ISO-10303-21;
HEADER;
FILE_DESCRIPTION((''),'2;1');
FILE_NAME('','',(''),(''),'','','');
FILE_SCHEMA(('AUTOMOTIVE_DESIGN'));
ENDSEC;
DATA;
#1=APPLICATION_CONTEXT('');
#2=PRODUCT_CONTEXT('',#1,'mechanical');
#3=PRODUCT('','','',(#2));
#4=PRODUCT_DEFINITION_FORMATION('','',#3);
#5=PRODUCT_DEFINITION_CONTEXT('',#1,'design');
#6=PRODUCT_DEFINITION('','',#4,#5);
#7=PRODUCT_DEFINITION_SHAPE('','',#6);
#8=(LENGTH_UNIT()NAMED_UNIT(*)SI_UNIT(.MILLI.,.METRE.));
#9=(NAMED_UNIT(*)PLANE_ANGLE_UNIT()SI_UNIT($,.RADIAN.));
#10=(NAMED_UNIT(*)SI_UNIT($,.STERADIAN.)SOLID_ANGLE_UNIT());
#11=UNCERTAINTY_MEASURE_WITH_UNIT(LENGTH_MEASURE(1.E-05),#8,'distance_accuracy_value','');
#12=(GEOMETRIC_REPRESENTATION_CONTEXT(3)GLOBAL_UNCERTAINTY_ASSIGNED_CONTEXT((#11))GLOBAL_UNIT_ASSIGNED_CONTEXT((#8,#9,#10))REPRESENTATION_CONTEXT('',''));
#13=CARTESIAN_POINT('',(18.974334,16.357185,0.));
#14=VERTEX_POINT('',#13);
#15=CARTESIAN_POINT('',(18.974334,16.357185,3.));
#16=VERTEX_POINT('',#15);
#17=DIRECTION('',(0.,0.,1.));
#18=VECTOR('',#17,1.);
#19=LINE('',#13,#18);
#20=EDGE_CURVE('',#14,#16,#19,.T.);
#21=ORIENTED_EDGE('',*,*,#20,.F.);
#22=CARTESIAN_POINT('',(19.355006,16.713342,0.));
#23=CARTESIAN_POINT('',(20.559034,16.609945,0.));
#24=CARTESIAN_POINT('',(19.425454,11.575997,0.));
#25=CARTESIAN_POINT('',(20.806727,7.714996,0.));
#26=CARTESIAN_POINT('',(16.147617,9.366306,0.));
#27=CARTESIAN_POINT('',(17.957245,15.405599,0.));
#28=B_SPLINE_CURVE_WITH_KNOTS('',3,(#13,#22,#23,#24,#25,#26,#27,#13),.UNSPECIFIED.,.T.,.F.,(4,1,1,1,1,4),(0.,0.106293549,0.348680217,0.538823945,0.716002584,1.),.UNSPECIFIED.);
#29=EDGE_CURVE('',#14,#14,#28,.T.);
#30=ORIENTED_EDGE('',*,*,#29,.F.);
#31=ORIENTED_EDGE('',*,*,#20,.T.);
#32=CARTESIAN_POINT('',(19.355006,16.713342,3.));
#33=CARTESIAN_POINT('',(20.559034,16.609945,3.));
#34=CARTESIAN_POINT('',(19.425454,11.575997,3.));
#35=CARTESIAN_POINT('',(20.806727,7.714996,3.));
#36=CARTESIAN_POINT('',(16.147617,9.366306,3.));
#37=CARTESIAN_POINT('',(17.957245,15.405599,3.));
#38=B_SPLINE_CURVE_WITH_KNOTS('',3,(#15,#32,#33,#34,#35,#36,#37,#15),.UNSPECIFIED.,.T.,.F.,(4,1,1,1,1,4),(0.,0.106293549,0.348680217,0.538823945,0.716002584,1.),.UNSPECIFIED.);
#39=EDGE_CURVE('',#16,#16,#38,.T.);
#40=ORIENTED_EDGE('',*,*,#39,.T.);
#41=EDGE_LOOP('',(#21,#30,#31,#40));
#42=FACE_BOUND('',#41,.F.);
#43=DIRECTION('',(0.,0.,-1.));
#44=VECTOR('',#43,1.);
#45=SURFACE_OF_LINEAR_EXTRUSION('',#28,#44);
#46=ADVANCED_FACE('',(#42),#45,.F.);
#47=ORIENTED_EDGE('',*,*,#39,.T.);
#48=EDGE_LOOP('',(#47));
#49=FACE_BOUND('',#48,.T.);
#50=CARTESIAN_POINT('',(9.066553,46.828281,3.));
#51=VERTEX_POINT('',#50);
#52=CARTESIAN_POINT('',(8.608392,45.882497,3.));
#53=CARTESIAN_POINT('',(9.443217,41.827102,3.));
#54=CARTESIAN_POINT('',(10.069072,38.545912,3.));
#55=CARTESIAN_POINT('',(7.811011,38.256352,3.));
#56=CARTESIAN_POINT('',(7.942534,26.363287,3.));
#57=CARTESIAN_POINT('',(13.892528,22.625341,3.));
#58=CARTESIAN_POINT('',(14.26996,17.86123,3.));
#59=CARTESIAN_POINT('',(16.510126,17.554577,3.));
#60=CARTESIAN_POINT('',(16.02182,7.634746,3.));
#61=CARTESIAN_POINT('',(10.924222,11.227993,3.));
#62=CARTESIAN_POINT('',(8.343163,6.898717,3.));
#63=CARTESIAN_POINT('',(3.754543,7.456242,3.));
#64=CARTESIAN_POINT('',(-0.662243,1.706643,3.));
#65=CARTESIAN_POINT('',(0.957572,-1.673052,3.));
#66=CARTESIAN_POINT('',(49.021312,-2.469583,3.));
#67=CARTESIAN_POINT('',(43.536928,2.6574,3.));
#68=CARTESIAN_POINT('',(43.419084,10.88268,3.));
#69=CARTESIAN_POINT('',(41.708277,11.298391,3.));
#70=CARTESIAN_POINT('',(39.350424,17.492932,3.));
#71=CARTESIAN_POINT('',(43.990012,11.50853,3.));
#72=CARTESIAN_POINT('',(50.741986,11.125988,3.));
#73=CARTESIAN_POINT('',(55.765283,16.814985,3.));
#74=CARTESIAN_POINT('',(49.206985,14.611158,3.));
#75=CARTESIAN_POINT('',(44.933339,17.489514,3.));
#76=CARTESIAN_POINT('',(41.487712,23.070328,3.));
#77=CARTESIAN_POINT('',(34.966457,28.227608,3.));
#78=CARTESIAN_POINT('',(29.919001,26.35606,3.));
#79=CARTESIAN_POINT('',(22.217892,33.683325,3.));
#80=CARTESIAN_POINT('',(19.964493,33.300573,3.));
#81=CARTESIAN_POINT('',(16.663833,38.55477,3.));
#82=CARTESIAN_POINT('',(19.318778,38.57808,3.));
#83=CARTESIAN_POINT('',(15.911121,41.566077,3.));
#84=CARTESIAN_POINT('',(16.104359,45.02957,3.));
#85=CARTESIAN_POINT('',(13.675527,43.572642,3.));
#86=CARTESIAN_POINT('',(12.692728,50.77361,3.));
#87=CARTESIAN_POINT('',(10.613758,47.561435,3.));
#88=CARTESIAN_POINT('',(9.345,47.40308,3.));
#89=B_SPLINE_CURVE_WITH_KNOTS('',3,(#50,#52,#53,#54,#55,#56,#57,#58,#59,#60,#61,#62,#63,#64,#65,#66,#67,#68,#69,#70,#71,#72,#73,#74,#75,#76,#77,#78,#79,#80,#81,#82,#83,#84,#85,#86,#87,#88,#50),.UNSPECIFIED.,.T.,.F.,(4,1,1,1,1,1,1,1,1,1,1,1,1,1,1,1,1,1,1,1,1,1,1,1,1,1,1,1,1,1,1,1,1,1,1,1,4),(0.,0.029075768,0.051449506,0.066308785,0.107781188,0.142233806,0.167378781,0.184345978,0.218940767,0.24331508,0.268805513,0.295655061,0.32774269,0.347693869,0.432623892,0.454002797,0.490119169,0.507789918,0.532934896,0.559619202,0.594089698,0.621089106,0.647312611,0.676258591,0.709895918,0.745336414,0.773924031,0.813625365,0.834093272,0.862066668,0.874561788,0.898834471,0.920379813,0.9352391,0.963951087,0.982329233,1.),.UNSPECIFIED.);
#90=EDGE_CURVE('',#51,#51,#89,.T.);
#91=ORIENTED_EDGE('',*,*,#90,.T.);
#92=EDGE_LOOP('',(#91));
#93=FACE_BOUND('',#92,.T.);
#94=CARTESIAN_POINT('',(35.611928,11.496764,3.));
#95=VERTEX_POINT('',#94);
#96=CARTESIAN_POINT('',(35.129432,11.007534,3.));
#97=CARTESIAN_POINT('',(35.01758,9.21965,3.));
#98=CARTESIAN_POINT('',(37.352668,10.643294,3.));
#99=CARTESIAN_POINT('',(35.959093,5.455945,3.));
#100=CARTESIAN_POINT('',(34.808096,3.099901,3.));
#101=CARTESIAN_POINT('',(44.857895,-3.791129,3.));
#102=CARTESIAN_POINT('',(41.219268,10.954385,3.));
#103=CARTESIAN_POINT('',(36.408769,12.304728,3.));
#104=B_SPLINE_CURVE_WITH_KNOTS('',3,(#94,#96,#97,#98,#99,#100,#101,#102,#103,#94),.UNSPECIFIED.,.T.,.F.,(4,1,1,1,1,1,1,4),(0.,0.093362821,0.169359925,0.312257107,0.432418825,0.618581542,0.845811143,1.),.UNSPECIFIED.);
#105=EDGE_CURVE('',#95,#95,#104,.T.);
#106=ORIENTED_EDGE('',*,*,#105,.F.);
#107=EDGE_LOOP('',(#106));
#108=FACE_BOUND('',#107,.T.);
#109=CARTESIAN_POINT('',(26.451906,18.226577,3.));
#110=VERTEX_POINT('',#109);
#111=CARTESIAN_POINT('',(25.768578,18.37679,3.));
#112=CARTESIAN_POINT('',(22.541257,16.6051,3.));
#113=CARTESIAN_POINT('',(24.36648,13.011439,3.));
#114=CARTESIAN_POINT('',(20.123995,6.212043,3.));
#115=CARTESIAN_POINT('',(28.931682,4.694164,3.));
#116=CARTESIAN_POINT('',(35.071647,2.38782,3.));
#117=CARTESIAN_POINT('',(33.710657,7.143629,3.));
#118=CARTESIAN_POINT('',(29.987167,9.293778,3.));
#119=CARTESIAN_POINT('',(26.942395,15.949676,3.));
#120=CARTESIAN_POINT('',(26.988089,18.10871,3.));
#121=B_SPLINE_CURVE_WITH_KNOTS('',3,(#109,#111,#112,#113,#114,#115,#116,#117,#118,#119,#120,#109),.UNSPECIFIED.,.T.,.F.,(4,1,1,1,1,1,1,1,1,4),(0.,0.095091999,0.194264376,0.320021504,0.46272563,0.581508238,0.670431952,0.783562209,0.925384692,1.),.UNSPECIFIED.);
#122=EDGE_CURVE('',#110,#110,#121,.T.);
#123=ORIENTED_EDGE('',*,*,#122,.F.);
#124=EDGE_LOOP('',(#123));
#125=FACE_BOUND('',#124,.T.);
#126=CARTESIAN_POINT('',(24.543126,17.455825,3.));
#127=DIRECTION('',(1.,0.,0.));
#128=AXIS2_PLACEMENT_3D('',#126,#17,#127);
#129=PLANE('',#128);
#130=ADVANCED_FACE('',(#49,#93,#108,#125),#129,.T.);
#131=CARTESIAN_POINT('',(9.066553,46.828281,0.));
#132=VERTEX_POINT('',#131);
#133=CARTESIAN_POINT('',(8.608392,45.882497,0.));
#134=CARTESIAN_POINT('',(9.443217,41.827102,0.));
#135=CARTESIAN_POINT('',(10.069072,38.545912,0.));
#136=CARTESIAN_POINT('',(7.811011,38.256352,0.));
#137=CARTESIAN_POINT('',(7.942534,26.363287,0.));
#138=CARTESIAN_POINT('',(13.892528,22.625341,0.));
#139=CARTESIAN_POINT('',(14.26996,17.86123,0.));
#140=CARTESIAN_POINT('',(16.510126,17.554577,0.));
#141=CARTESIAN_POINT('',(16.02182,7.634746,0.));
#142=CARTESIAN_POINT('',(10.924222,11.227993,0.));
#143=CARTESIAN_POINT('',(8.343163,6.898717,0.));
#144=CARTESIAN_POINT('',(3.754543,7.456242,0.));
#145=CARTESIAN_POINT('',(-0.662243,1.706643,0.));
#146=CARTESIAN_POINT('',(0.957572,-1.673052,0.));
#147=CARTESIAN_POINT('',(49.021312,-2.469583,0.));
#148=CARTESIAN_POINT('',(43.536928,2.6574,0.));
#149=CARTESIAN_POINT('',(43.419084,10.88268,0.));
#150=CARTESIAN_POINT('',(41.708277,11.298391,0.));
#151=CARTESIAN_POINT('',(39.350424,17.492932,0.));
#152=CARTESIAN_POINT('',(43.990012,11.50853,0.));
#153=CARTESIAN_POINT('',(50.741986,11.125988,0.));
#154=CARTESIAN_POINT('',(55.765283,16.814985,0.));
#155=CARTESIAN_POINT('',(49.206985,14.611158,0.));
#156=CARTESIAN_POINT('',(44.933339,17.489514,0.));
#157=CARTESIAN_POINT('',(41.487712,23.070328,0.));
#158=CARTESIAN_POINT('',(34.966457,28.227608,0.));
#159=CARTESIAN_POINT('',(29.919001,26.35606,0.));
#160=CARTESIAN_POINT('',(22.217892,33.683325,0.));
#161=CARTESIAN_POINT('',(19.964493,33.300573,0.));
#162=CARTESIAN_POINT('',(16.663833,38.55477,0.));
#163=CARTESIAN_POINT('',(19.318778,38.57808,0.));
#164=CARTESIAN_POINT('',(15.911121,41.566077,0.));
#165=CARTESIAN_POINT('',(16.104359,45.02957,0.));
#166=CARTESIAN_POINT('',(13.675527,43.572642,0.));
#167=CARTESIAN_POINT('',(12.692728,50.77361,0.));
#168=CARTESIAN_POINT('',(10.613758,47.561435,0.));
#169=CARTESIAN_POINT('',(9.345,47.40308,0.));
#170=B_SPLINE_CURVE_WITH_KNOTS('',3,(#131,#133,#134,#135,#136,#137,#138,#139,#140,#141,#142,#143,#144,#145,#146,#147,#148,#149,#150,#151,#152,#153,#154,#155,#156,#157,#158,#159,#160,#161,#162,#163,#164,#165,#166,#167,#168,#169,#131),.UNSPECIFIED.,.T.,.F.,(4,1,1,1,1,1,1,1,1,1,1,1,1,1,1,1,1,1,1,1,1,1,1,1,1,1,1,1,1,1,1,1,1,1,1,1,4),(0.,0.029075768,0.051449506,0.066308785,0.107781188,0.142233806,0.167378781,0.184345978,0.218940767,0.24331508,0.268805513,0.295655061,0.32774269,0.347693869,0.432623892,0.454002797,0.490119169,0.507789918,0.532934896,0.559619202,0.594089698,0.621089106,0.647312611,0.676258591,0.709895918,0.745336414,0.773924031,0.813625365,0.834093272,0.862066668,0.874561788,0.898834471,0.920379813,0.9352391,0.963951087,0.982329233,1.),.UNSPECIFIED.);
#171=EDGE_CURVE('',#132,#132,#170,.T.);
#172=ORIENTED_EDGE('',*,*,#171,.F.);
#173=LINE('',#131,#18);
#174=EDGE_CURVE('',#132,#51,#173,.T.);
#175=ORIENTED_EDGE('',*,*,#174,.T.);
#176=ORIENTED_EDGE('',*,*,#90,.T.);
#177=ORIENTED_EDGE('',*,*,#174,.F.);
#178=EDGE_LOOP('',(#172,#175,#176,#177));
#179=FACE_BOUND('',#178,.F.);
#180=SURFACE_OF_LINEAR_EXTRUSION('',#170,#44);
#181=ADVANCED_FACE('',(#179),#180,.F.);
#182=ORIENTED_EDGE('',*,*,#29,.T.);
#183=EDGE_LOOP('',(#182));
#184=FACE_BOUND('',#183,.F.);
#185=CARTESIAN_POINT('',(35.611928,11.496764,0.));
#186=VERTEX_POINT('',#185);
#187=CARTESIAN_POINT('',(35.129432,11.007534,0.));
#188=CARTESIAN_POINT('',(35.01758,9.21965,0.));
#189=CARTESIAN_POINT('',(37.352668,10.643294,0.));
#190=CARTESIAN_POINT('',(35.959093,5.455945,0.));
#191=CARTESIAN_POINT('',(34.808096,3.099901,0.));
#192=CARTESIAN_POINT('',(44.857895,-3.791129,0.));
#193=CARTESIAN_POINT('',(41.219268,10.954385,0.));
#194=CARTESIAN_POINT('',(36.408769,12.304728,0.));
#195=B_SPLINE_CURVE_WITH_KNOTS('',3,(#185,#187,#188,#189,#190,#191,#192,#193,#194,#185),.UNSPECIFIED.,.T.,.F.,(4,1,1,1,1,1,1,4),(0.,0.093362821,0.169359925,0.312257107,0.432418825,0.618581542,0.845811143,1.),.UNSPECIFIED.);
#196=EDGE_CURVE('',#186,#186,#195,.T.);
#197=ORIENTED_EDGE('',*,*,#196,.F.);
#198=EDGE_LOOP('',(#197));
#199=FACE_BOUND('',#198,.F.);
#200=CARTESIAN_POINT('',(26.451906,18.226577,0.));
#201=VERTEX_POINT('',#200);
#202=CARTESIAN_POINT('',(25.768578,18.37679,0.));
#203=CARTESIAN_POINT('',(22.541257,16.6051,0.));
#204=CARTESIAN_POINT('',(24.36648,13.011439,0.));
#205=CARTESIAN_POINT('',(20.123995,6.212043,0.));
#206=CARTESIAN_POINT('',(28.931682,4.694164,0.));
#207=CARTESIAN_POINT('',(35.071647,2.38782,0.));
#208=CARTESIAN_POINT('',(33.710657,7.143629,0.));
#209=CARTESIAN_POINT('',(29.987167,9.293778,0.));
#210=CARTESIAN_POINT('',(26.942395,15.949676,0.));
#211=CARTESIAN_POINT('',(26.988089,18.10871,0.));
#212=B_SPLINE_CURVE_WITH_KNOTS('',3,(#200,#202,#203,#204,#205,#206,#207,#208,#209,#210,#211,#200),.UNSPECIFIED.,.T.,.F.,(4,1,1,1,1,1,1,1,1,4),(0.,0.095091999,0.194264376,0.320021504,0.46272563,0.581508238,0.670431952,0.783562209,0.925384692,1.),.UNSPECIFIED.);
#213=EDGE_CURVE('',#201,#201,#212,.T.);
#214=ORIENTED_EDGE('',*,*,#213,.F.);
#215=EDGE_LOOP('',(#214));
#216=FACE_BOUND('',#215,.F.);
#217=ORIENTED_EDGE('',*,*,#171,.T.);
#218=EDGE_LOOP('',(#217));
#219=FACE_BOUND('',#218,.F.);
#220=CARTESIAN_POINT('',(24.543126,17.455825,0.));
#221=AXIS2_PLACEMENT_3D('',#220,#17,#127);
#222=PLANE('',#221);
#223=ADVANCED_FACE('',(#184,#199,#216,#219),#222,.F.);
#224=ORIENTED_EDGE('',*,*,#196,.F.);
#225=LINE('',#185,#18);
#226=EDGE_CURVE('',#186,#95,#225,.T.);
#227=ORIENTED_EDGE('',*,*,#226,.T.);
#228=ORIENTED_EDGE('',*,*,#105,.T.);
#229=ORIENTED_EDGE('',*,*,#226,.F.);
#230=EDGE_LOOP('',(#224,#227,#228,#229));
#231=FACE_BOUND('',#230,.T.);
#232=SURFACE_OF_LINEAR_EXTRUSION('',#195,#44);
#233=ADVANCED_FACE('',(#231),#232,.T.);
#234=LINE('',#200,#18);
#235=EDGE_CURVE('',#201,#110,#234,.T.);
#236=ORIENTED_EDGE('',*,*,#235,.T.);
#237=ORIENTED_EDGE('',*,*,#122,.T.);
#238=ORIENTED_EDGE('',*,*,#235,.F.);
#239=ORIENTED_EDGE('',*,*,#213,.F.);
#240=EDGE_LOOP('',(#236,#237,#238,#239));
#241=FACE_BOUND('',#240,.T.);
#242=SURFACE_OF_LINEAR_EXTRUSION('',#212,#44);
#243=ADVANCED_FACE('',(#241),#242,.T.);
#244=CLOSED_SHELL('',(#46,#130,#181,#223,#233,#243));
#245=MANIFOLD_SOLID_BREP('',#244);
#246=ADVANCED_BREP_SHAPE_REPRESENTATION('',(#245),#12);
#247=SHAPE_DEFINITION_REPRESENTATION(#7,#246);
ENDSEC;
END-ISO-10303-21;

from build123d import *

# Parameters (mm, degrees)
F1_DEPTH = 3


with BuildPart() as f1:
    # F0 (on Top) → F1 (new body)
    with BuildSketch(Plane.XY):
        with BuildLine():
            add(Edge.make_bspline(
                [(9.0665528551, 46.8282811344), (8.6083920637, 45.8824972077), (9.4432172206, 41.8271016826), (10.0690715973, 38.5459121169), (7.8110108584, 38.2563522684), (7.9425341629, 26.3632870425), (13.8925278216, 22.625340705), (14.2699595986, 17.861230092), (16.5101258857, 17.5545768133), (16.0218202407, 7.6347460867), (10.9242220521, 11.2279925038), (8.3431626279, 6.8987170597), (3.7545426886, 7.4562422639), (-0.6622426085, 1.706642937), (0.9575722886, -1.6730524515), (49.0213124006, -2.46958346), (43.5369276582, 2.6574002777), (43.4190839169, 10.8826801263), (41.7082772567, 11.2983905049), (39.35042375, 17.492931634), (43.9900120423, 11.5085304683), (50.7419862832, 11.1259882282), (55.7652830837, 16.8149846968), (49.2069845174, 14.6111579986), (44.9333388871, 17.4895139638), (41.4877121059, 23.0703282111), (34.9664572432, 28.2276076538), (29.919001448, 26.3560598046), (22.2178915384, 33.6833251028), (19.9644930777, 33.3005733745), (16.6638334852, 38.5547704427), (19.3187776663, 38.5780796067), (15.9111211647, 41.5660773963), (16.1043591399, 45.0295695345), (13.6755267218, 43.5726424686), (12.692727671, 50.7736095312), (10.6137579583, 47.5614350177), (9.3449995914, 47.4030803154), (9.0665528551, 46.8282811344)],
                knots=[0, 0, 0, 0, 0.0290757681, 0.0514495057, 0.0663087854, 0.1077811884, 0.1422338055, 0.1673787811, 0.1843459784, 0.2189407672, 0.2433150795, 0.2688055133, 0.2956550607, 0.3277426902, 0.3476938685, 0.4326238916, 0.4540027965, 0.4901191688, 0.5077899185, 0.5329348962, 0.5596192018, 0.5940896984, 0.6210891062, 0.6473126113, 0.6762585911, 0.7098959182, 0.7453364144, 0.7739240307, 0.8136253654, 0.8340932716, 0.8620666684, 0.8745617878, 0.898834471, 0.9203798125, 0.9352390996, 0.9639510874, 0.9823292327, 1, 1, 1, 1], degree=3))
        make_face()
        with BuildLine():
            add(Edge.make_bspline(
                [(18.9743340015, 16.3571853191), (19.3550063338, 16.7133416575), (20.5590336727, 16.6099449817), (19.4254544276, 11.5759965023), (20.8067271434, 7.7149957494), (16.1476172461, 9.3663060763), (17.9572453847, 15.4055990679), (18.9743340015, 16.3571853191)],
                knots=[0, 0, 0, 0, 0.1062935489, 0.3486802173, 0.5388239454, 0.7160025841, 1, 1, 1, 1], degree=3))
        make_face(mode=Mode.SUBTRACT)
        with BuildLine():
            add(Edge.make_bspline(
                [(35.6119275093, 11.4967636764), (35.1294323104, 11.0075338819), (35.0175797359, 9.219649546), (37.3526684139, 10.6432941763), (35.9590932426, 5.4559450834), (34.8080961426, 3.0999007581), (44.8578954287, -3.7911294315), (41.2192676828, 10.9543848859), (36.4087691435, 12.3047275067), (35.6119275093, 11.4967636764)],
                knots=[0, 0, 0, 0, 0.0933628213, 0.1693599254, 0.3122571072, 0.4324188251, 0.6185815424, 0.8458111433, 1, 1, 1, 1], degree=3))
        make_face(mode=Mode.SUBTRACT)
        with BuildLine():
            add(Edge.make_bspline(
                [(26.4519061893, 18.226576969), (25.7685782805, 18.3767904197), (22.5412569648, 16.6050997677), (24.3664800988, 13.0114389916), (20.123995258, 6.2120428611), (28.931682307, 4.6941640312), (35.0716474315, 2.3878200049), (33.7106565381, 7.1436286833), (29.9871668622, 9.2937775943), (26.9423947836, 15.949676043), (26.9880892889, 18.1087098184), (26.4519061893, 18.226576969)],
                knots=[0, 0, 0, 0, 0.0950919989, 0.1942643757, 0.3200215035, 0.4627256305, 0.5815082382, 0.6704319517, 0.7835622086, 0.9253846915, 1, 1, 1, 1], degree=3))
        make_face(mode=Mode.SUBTRACT)
    extrude(amount=F1_DEPTH)


solid = f1.part
